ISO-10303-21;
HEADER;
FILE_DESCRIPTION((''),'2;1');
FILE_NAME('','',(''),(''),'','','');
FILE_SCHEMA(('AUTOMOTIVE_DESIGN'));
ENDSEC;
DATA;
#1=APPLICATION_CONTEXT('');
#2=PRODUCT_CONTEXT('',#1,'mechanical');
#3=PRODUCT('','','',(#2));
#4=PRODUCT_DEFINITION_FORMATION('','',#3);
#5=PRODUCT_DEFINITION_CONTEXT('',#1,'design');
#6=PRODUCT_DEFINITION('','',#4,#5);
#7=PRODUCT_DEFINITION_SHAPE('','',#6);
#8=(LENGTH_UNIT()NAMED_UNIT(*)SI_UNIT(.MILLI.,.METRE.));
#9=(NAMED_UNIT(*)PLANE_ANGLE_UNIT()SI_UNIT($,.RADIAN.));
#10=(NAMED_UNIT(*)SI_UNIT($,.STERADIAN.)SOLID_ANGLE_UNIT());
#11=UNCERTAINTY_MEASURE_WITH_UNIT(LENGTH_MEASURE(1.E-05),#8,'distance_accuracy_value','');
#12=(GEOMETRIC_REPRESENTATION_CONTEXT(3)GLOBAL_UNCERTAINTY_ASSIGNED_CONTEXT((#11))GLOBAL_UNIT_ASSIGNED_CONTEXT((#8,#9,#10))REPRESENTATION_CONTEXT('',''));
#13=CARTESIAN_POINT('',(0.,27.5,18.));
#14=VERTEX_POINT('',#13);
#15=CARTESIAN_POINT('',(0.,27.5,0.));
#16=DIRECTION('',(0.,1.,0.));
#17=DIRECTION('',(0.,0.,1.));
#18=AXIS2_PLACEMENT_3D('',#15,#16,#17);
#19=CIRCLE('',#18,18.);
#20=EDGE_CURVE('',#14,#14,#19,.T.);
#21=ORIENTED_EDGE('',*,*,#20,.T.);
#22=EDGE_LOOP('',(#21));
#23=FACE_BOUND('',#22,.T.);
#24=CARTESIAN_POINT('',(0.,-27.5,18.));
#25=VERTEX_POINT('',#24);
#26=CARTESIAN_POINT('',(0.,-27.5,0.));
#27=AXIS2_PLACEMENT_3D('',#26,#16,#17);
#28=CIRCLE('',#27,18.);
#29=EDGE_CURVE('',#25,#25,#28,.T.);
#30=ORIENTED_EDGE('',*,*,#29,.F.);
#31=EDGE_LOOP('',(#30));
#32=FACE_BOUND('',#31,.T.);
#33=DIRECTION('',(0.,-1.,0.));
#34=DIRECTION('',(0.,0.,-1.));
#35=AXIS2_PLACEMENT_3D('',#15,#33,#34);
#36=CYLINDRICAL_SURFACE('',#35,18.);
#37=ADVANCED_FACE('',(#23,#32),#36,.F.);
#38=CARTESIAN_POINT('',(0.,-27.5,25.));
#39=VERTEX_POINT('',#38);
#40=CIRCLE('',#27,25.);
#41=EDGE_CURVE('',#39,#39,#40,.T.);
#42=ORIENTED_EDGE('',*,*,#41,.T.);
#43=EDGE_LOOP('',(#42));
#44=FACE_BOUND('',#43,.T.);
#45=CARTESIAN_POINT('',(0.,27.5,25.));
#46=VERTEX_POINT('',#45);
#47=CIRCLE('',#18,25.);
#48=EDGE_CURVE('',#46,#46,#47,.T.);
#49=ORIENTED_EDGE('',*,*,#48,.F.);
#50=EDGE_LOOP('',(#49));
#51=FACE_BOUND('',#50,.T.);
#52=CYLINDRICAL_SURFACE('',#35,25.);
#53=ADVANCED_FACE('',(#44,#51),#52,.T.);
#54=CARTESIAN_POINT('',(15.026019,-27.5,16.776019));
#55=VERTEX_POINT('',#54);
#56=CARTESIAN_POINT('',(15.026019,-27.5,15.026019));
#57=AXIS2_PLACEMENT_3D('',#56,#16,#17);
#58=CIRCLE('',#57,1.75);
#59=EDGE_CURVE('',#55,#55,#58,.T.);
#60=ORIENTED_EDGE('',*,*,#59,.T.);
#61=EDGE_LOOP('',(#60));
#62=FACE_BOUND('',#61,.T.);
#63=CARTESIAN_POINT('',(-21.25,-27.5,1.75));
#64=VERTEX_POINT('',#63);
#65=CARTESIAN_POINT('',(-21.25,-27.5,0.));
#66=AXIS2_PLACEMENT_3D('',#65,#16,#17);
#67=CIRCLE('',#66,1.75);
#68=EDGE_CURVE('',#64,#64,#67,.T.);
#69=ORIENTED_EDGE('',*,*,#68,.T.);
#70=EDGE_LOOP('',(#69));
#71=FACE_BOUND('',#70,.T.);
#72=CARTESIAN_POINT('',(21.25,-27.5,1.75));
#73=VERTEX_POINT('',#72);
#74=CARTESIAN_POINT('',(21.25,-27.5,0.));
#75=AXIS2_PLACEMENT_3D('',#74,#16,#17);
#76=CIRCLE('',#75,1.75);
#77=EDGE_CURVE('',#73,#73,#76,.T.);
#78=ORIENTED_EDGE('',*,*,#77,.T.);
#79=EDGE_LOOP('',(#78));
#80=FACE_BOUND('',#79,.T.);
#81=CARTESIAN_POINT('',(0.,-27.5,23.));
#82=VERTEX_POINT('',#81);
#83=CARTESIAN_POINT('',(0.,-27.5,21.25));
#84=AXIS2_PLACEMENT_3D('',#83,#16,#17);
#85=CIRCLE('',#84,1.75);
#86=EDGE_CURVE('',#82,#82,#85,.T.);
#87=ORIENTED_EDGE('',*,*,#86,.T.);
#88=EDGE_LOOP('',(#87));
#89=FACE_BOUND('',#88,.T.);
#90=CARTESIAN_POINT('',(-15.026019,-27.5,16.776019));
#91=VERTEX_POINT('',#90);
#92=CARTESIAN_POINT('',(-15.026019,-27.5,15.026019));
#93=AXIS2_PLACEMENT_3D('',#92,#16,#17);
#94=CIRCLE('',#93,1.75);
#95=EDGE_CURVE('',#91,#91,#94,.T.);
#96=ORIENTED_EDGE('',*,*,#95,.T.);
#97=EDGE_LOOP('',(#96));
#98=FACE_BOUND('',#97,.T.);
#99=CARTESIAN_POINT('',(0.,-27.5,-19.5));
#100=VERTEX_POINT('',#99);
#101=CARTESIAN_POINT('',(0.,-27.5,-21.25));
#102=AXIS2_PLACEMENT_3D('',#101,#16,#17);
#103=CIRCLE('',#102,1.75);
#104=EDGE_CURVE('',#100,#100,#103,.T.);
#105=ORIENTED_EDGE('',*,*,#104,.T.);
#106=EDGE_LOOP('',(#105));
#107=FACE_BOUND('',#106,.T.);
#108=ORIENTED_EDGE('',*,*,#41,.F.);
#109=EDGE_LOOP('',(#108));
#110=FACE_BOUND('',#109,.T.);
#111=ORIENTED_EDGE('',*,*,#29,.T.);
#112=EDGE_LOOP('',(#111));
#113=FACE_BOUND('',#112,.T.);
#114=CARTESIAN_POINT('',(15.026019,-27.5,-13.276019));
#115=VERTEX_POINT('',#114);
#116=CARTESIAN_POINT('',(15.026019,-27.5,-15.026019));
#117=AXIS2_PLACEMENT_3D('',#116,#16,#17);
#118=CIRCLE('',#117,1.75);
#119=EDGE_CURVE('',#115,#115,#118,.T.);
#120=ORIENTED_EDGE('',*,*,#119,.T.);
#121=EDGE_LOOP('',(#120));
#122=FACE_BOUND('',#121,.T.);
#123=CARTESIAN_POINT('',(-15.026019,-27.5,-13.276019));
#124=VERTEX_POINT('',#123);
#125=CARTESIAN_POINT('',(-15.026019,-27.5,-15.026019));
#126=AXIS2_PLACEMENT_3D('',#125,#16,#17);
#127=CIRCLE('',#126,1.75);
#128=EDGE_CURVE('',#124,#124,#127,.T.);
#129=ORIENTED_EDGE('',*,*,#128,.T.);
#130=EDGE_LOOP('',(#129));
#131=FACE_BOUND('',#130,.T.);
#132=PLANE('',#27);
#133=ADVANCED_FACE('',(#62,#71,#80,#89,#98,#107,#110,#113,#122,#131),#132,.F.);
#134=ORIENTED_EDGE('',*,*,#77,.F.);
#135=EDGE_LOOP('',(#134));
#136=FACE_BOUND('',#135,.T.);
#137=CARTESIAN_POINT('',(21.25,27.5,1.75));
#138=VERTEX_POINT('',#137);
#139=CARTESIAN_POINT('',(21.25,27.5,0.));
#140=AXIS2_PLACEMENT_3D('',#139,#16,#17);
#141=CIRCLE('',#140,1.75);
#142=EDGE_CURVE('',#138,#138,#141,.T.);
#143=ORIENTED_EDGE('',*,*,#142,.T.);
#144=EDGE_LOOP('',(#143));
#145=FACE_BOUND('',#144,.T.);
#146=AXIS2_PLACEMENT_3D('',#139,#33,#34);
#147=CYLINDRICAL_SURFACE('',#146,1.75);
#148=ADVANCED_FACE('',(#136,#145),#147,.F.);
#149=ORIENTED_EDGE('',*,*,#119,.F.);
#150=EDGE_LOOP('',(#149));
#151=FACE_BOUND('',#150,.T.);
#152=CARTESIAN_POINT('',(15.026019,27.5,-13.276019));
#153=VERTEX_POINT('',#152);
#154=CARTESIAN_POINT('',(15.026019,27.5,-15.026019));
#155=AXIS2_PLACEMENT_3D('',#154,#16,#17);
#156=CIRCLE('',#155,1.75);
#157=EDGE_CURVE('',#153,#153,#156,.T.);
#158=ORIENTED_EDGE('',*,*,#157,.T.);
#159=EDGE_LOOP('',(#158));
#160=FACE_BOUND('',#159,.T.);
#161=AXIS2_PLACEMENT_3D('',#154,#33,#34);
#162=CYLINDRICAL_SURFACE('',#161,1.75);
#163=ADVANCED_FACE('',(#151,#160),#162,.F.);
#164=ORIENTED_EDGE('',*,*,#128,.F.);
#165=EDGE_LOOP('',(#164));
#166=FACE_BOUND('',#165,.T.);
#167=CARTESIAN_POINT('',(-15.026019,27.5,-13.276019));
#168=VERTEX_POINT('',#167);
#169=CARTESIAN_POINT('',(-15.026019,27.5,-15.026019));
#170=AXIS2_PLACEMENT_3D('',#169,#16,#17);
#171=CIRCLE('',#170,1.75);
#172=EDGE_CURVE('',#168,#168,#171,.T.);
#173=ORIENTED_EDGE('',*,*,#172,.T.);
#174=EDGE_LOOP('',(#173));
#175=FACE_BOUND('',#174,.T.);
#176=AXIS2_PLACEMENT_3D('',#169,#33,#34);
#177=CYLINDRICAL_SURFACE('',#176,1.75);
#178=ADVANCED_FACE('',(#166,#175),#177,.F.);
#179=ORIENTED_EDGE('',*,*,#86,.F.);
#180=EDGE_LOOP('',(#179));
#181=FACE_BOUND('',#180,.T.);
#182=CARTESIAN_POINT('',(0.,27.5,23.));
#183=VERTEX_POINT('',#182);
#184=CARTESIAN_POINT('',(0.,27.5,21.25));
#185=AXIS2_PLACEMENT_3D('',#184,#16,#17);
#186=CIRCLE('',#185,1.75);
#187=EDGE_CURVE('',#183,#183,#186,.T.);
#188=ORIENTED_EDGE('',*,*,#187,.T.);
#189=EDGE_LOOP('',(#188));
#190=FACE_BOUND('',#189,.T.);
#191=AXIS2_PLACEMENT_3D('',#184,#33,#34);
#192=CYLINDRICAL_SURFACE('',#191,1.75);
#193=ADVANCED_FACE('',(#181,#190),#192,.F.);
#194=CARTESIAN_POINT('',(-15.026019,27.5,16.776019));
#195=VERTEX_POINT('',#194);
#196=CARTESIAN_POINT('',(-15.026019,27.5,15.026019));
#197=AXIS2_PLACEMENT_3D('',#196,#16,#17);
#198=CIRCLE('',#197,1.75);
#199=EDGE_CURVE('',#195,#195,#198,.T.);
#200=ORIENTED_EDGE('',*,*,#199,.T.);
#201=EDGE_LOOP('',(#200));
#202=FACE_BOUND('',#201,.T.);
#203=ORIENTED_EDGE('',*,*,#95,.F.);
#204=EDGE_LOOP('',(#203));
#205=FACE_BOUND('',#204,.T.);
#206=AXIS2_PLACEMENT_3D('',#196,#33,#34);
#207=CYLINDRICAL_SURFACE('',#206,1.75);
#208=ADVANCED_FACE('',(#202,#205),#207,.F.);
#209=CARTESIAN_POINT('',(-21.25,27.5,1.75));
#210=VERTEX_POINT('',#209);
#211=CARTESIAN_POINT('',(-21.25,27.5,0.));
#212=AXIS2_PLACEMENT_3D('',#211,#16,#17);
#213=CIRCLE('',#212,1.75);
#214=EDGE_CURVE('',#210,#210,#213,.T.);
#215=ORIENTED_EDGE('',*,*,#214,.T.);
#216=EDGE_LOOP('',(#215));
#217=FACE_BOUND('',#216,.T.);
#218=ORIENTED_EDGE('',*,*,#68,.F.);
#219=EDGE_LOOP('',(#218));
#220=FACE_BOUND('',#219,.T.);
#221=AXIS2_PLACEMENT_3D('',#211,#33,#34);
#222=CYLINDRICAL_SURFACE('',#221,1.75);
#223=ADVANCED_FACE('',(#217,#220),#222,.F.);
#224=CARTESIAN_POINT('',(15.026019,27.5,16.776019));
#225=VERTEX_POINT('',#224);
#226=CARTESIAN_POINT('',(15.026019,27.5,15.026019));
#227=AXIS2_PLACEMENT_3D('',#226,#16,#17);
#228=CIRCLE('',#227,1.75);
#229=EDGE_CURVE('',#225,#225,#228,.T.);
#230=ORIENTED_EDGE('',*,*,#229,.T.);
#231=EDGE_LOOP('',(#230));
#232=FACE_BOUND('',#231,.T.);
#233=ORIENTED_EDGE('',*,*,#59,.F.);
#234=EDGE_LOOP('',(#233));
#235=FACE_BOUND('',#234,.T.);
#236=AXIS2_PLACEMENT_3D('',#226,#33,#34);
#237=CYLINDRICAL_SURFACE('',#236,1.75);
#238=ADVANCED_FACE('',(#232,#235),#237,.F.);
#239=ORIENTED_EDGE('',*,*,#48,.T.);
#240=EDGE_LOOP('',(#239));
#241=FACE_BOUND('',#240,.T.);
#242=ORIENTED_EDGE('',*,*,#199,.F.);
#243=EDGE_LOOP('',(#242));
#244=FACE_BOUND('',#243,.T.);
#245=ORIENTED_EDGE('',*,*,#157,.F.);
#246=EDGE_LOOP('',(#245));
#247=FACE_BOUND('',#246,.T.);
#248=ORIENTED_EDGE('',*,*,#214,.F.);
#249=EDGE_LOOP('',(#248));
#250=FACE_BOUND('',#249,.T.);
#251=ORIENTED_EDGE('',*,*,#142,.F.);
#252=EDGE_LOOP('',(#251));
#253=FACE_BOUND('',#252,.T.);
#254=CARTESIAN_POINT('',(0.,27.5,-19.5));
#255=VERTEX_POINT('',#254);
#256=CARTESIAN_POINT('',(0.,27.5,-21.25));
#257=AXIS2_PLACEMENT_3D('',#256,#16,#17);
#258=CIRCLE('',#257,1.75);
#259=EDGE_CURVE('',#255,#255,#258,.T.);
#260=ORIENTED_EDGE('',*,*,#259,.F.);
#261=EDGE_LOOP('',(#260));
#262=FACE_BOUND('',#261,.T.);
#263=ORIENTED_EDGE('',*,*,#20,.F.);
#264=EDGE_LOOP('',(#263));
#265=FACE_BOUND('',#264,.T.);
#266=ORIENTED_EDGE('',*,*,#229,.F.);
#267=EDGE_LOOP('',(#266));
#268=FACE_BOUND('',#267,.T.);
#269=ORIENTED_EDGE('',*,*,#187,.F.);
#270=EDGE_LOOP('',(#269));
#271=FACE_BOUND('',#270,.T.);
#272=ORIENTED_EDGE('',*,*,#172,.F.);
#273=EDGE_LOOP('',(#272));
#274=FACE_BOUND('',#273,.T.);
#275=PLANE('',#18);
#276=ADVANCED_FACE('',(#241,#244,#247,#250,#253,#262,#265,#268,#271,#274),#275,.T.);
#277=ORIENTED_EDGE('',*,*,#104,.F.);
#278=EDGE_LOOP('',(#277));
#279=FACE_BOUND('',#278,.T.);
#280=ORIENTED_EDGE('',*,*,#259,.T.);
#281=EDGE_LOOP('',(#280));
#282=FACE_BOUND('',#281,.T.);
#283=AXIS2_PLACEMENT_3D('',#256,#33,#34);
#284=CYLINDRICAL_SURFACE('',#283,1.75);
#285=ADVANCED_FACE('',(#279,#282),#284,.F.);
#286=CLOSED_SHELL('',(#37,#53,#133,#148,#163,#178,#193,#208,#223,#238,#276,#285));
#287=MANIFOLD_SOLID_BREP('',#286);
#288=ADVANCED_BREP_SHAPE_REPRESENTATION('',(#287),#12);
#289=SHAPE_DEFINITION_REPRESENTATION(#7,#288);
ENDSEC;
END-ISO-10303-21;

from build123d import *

# Parameters (mm, degrees)
SKETCH1_R           = 25
SKETCH1_R_2         = 18
SKETCH1_R_3         = 1.75
BOSS_EXTRUDE1_DEPTH = 27.5


with BuildPart() as part:
    # Sketch1 → Boss-Extrude1 (new, symmetric)
    with BuildSketch(Plane(origin=(0, 0, 0), x_dir=(1, 0, 0), z_dir=(0, 1, 0))):
        with Locations(Location((0, 0, 0), (0, 0, 270))):
            Circle(SKETCH1_R)
        with Locations(Location((0, 0, 0), (0, 0, 270))):
            Circle(SKETCH1_R_2, mode=Mode.SUBTRACT)
        with Locations(Location((0, 21.25, 0), (0, 0, 270))):
            Circle(SKETCH1_R_3, mode=Mode.SUBTRACT)
        with Locations(Location((15.0260191, 15.0260191, 0), (0, 0, 270))):
            Circle(SKETCH1_R_3, mode=Mode.SUBTRACT)
        with Locations(Location((21.25, 0, 0), (0, 0, 270))):
            Circle(SKETCH1_R_3, mode=Mode.SUBTRACT)
        with Locations(Location((15.0260191, -15.0260191, 0), (0, 0, 270))):
            Circle(SKETCH1_R_3, mode=Mode.SUBTRACT)
        with Locations(Location((0, -21.25, 0), (0, 0, 270))):
            Circle(SKETCH1_R_3, mode=Mode.SUBTRACT)
        with Locations(Location((-15.0260191, -15.0260191, 0), (0, 0, 270))):
            Circle(SKETCH1_R_3, mode=Mode.SUBTRACT)
        with Locations(Location((-21.25, 0, 0), (0, 0, 270))):
            Circle(SKETCH1_R_3, mode=Mode.SUBTRACT)
        with Locations(Location((-15.0260191, 15.0260191, 0), (0, 0, 270))):
            Circle(SKETCH1_R_3, mode=Mode.SUBTRACT)
    extrude(amount=BOSS_EXTRUDE1_DEPTH, both=True)


solid = part.part
